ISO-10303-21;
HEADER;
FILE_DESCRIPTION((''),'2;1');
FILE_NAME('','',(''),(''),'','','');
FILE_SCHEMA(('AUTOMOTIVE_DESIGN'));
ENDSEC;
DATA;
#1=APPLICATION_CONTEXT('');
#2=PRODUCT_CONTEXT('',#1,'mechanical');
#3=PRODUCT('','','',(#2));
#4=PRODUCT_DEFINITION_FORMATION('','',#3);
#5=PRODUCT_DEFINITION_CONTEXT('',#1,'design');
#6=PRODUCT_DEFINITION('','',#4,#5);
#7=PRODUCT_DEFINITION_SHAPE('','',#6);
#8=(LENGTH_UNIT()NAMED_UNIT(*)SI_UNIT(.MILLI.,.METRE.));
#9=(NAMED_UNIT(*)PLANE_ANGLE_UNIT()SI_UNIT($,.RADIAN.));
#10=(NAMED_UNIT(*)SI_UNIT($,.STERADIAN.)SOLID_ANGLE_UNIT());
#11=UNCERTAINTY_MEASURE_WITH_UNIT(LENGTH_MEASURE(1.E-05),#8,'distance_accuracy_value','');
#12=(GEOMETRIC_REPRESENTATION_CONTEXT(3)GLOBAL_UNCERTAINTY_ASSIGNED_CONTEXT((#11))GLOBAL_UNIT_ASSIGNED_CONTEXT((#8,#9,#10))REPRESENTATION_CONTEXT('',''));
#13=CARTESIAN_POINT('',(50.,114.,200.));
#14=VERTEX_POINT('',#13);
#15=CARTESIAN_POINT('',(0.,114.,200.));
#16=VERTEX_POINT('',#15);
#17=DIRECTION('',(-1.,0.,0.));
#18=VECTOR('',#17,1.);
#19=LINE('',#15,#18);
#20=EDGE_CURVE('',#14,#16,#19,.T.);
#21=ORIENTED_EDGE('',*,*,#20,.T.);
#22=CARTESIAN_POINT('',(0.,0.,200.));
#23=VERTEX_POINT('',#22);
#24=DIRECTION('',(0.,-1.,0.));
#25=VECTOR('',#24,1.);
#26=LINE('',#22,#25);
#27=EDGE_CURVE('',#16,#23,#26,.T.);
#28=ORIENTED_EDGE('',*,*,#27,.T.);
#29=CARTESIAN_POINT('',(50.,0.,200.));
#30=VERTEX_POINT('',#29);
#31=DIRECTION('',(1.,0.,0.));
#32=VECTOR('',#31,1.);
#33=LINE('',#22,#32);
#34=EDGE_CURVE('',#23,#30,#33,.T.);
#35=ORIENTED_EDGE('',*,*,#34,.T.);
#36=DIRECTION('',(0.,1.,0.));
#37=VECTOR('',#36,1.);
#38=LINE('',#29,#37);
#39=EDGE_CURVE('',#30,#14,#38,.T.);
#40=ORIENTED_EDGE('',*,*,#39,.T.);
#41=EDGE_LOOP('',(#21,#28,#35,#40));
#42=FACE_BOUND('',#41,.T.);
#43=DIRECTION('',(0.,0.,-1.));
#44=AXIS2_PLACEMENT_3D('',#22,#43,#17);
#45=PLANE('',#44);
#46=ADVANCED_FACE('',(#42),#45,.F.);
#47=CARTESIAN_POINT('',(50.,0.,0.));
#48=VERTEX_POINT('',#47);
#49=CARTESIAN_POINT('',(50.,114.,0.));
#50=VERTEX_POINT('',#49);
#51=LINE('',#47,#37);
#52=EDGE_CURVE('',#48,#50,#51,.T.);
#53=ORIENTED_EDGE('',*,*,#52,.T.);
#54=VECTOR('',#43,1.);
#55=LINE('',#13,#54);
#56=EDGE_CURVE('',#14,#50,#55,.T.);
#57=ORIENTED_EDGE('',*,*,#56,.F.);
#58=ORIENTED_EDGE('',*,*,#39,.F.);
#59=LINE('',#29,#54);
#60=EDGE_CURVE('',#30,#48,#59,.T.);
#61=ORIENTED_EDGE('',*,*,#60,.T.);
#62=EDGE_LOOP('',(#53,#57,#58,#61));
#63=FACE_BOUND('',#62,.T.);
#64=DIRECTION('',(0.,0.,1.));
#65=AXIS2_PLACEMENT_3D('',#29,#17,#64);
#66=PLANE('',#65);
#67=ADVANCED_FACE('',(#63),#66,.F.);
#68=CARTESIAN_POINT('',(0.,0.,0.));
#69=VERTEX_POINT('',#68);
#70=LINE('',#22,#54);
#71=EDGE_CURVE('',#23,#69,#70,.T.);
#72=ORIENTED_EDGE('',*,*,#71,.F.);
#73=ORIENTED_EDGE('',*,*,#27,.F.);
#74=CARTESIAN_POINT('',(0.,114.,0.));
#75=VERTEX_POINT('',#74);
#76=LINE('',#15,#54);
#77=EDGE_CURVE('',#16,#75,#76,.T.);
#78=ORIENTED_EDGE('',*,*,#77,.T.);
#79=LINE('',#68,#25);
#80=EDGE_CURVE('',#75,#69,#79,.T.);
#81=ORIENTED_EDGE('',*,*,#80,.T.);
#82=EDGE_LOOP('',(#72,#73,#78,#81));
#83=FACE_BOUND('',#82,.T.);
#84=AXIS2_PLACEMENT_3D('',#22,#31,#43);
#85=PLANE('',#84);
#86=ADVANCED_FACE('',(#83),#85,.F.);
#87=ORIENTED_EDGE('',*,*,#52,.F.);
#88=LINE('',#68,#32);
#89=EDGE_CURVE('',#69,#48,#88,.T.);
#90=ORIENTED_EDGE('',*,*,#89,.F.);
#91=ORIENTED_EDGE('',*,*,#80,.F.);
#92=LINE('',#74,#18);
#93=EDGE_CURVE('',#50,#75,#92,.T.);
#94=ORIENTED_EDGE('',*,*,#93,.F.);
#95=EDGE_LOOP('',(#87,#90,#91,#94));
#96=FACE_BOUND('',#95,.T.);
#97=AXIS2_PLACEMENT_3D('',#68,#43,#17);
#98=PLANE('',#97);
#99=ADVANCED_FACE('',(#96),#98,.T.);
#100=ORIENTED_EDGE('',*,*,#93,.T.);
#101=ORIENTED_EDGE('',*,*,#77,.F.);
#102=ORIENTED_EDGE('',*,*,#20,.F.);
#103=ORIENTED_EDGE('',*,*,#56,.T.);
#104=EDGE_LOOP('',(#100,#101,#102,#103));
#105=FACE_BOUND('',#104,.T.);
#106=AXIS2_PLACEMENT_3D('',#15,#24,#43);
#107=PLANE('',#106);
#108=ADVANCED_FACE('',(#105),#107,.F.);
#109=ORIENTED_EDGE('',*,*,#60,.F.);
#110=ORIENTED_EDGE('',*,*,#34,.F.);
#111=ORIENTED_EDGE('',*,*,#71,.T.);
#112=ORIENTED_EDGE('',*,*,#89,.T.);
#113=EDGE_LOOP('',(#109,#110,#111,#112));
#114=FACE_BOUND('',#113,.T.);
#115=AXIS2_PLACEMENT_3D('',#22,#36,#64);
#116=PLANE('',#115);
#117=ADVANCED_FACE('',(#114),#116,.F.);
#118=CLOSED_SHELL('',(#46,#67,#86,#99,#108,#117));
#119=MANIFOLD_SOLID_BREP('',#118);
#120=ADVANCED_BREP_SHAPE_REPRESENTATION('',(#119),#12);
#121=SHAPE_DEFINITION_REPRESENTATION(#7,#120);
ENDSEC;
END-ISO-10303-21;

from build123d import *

# Parameters (mm, degrees)
ESBO_O1_W                = 50
ESBO_O1_H                = 114
RESSALTO_EXTRUS_O1_DEPTH = 200


with BuildPart() as part:
    # Esboço1 → Ressalto-extrusão1 (new body)
    with BuildSketch(Plane.XY):
        with Locations((25, 57)):
            Rectangle(ESBO_O1_W, ESBO_O1_H)
    extrude(amount=RESSALTO_EXTRUS_O1_DEPTH)


solid = part.part
